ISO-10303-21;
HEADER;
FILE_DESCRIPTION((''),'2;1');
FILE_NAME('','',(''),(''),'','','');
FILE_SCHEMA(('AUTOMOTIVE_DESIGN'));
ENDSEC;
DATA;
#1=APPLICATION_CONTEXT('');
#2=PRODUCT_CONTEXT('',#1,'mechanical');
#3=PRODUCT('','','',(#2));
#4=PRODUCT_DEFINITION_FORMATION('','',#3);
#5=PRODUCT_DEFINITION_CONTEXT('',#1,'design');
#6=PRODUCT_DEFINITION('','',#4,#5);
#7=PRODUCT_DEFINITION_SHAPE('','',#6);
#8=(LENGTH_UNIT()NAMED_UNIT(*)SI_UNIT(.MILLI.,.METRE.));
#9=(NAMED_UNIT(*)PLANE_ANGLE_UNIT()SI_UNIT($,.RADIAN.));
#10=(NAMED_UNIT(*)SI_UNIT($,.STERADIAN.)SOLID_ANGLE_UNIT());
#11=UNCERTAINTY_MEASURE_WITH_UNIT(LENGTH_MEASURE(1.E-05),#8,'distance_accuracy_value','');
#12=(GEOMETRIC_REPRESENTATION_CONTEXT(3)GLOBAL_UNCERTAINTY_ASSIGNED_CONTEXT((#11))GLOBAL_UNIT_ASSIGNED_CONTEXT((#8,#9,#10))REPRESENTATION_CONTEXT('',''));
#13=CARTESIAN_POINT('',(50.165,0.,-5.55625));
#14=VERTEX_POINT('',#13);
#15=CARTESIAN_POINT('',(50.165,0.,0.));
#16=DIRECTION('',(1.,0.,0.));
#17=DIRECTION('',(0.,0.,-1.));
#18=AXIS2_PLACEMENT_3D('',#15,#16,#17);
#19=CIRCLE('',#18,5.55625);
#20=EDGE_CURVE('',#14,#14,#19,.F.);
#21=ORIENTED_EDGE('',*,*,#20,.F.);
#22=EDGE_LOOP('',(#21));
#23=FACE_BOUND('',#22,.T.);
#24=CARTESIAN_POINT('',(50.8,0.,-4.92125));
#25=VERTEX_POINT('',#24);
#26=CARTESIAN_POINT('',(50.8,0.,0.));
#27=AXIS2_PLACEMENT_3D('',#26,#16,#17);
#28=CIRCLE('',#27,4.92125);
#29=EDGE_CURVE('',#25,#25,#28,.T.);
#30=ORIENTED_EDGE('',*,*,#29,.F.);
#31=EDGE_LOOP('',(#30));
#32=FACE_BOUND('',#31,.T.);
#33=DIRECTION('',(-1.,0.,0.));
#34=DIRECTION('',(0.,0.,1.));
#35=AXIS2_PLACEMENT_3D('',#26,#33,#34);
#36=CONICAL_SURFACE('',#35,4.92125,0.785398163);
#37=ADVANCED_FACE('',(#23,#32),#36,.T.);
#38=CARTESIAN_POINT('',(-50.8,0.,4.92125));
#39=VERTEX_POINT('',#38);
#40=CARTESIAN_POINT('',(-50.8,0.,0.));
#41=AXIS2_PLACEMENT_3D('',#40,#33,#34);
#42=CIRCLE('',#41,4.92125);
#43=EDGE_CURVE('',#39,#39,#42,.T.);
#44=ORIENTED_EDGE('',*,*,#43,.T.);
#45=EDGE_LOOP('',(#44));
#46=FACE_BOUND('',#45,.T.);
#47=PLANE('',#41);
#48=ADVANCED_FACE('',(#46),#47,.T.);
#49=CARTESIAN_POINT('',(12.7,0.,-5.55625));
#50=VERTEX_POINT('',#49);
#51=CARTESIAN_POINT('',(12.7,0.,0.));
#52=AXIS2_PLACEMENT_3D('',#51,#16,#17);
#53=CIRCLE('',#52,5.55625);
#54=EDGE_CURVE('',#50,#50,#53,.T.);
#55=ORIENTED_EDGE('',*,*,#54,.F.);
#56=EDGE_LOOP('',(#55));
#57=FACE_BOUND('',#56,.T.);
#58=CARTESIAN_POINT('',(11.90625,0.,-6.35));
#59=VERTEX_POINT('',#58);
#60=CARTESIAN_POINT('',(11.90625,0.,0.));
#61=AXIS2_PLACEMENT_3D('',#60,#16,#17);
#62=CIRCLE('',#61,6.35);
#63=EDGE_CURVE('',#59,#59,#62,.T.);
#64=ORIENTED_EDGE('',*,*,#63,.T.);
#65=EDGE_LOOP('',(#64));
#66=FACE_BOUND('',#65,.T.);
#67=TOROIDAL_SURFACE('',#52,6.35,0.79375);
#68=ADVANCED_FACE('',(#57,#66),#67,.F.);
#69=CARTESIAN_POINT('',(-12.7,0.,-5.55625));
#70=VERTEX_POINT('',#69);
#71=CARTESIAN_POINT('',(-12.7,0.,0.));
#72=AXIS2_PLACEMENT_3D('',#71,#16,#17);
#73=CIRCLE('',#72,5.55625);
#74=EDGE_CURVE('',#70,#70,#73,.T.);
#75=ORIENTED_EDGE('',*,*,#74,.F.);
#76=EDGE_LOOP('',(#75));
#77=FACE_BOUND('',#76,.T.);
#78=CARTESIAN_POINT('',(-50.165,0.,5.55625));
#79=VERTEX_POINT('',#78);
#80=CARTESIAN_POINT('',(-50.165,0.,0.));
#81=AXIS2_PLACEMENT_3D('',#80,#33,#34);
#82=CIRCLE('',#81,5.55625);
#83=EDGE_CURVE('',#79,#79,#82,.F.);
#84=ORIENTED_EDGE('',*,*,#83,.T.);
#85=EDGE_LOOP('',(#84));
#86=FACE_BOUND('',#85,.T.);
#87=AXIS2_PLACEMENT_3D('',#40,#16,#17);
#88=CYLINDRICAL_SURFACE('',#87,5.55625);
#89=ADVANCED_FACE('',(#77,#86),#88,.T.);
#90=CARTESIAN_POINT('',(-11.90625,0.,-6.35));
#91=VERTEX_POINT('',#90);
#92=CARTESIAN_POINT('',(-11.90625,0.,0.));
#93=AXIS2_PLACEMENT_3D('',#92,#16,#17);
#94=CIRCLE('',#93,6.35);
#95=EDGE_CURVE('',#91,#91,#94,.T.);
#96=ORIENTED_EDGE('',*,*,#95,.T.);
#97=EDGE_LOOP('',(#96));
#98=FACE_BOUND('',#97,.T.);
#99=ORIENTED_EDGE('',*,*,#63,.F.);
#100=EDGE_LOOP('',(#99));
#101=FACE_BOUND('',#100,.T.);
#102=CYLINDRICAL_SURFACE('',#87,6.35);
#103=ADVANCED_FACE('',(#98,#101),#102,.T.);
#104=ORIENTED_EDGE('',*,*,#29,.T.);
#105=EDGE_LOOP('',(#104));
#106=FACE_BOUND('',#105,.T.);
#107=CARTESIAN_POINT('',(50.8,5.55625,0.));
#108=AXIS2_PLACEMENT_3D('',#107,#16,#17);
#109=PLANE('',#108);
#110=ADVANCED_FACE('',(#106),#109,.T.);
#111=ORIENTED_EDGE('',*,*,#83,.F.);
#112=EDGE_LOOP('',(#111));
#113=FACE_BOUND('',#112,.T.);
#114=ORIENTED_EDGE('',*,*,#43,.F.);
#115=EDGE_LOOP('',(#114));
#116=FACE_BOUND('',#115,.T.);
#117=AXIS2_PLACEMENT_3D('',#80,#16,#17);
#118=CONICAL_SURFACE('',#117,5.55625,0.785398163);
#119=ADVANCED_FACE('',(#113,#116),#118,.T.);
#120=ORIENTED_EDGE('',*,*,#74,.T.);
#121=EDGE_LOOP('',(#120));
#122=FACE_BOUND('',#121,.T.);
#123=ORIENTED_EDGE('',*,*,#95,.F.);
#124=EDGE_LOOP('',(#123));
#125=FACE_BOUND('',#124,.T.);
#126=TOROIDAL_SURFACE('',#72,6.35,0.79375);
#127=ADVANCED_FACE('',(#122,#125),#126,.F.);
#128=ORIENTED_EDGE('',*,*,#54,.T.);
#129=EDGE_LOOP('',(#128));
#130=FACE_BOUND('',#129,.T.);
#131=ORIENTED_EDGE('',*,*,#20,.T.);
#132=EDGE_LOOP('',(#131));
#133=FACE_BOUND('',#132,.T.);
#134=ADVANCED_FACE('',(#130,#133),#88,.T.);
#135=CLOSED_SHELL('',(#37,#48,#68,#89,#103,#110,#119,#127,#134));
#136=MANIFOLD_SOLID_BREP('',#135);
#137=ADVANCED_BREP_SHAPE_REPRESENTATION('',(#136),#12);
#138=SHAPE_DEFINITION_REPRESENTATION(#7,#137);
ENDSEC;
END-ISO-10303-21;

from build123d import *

# Parameters (mm, degrees)
CHAMFER1_SIZE = 0.635


with BuildPart() as part:
    # Sketch1 → Revolve1 (revolve)
    with BuildSketch(Plane.XY):
        with BuildLine():
            Line((-50.8, 0), (50.8, 0))
            Line((50.8, 0), (50.8, 5.55625))
            Line((50.8, 5.55625), (12.7, 5.55625))
            ThreePointArc((12.7, 5.55625), (12.138733992, 5.788733992), (11.90625, 6.35))
            Line((11.90625, 6.35), (-11.90625, 6.35))
            ThreePointArc((-11.90625, 6.35), (-12.138733992, 5.788733992), (-12.7, 5.55625))
            Line((-12.7, 5.55625), (-50.8, 5.55625))
            Line((-50.8, 5.55625), (-50.8, 0))
        make_face()
    revolve(axis=Axis((-50.8, 0, 0), (-1, 0, 0)))

    # Chamfer1
    chamfer1_edges = [part.edges().sort_by_distance(p)[0] for p in [
        (-50.8, -5.55625, 0),
        (50.8, -5.55625, 0),
    ]]
    chamfer(chamfer1_edges, length=CHAMFER1_SIZE)


solid = part.part
